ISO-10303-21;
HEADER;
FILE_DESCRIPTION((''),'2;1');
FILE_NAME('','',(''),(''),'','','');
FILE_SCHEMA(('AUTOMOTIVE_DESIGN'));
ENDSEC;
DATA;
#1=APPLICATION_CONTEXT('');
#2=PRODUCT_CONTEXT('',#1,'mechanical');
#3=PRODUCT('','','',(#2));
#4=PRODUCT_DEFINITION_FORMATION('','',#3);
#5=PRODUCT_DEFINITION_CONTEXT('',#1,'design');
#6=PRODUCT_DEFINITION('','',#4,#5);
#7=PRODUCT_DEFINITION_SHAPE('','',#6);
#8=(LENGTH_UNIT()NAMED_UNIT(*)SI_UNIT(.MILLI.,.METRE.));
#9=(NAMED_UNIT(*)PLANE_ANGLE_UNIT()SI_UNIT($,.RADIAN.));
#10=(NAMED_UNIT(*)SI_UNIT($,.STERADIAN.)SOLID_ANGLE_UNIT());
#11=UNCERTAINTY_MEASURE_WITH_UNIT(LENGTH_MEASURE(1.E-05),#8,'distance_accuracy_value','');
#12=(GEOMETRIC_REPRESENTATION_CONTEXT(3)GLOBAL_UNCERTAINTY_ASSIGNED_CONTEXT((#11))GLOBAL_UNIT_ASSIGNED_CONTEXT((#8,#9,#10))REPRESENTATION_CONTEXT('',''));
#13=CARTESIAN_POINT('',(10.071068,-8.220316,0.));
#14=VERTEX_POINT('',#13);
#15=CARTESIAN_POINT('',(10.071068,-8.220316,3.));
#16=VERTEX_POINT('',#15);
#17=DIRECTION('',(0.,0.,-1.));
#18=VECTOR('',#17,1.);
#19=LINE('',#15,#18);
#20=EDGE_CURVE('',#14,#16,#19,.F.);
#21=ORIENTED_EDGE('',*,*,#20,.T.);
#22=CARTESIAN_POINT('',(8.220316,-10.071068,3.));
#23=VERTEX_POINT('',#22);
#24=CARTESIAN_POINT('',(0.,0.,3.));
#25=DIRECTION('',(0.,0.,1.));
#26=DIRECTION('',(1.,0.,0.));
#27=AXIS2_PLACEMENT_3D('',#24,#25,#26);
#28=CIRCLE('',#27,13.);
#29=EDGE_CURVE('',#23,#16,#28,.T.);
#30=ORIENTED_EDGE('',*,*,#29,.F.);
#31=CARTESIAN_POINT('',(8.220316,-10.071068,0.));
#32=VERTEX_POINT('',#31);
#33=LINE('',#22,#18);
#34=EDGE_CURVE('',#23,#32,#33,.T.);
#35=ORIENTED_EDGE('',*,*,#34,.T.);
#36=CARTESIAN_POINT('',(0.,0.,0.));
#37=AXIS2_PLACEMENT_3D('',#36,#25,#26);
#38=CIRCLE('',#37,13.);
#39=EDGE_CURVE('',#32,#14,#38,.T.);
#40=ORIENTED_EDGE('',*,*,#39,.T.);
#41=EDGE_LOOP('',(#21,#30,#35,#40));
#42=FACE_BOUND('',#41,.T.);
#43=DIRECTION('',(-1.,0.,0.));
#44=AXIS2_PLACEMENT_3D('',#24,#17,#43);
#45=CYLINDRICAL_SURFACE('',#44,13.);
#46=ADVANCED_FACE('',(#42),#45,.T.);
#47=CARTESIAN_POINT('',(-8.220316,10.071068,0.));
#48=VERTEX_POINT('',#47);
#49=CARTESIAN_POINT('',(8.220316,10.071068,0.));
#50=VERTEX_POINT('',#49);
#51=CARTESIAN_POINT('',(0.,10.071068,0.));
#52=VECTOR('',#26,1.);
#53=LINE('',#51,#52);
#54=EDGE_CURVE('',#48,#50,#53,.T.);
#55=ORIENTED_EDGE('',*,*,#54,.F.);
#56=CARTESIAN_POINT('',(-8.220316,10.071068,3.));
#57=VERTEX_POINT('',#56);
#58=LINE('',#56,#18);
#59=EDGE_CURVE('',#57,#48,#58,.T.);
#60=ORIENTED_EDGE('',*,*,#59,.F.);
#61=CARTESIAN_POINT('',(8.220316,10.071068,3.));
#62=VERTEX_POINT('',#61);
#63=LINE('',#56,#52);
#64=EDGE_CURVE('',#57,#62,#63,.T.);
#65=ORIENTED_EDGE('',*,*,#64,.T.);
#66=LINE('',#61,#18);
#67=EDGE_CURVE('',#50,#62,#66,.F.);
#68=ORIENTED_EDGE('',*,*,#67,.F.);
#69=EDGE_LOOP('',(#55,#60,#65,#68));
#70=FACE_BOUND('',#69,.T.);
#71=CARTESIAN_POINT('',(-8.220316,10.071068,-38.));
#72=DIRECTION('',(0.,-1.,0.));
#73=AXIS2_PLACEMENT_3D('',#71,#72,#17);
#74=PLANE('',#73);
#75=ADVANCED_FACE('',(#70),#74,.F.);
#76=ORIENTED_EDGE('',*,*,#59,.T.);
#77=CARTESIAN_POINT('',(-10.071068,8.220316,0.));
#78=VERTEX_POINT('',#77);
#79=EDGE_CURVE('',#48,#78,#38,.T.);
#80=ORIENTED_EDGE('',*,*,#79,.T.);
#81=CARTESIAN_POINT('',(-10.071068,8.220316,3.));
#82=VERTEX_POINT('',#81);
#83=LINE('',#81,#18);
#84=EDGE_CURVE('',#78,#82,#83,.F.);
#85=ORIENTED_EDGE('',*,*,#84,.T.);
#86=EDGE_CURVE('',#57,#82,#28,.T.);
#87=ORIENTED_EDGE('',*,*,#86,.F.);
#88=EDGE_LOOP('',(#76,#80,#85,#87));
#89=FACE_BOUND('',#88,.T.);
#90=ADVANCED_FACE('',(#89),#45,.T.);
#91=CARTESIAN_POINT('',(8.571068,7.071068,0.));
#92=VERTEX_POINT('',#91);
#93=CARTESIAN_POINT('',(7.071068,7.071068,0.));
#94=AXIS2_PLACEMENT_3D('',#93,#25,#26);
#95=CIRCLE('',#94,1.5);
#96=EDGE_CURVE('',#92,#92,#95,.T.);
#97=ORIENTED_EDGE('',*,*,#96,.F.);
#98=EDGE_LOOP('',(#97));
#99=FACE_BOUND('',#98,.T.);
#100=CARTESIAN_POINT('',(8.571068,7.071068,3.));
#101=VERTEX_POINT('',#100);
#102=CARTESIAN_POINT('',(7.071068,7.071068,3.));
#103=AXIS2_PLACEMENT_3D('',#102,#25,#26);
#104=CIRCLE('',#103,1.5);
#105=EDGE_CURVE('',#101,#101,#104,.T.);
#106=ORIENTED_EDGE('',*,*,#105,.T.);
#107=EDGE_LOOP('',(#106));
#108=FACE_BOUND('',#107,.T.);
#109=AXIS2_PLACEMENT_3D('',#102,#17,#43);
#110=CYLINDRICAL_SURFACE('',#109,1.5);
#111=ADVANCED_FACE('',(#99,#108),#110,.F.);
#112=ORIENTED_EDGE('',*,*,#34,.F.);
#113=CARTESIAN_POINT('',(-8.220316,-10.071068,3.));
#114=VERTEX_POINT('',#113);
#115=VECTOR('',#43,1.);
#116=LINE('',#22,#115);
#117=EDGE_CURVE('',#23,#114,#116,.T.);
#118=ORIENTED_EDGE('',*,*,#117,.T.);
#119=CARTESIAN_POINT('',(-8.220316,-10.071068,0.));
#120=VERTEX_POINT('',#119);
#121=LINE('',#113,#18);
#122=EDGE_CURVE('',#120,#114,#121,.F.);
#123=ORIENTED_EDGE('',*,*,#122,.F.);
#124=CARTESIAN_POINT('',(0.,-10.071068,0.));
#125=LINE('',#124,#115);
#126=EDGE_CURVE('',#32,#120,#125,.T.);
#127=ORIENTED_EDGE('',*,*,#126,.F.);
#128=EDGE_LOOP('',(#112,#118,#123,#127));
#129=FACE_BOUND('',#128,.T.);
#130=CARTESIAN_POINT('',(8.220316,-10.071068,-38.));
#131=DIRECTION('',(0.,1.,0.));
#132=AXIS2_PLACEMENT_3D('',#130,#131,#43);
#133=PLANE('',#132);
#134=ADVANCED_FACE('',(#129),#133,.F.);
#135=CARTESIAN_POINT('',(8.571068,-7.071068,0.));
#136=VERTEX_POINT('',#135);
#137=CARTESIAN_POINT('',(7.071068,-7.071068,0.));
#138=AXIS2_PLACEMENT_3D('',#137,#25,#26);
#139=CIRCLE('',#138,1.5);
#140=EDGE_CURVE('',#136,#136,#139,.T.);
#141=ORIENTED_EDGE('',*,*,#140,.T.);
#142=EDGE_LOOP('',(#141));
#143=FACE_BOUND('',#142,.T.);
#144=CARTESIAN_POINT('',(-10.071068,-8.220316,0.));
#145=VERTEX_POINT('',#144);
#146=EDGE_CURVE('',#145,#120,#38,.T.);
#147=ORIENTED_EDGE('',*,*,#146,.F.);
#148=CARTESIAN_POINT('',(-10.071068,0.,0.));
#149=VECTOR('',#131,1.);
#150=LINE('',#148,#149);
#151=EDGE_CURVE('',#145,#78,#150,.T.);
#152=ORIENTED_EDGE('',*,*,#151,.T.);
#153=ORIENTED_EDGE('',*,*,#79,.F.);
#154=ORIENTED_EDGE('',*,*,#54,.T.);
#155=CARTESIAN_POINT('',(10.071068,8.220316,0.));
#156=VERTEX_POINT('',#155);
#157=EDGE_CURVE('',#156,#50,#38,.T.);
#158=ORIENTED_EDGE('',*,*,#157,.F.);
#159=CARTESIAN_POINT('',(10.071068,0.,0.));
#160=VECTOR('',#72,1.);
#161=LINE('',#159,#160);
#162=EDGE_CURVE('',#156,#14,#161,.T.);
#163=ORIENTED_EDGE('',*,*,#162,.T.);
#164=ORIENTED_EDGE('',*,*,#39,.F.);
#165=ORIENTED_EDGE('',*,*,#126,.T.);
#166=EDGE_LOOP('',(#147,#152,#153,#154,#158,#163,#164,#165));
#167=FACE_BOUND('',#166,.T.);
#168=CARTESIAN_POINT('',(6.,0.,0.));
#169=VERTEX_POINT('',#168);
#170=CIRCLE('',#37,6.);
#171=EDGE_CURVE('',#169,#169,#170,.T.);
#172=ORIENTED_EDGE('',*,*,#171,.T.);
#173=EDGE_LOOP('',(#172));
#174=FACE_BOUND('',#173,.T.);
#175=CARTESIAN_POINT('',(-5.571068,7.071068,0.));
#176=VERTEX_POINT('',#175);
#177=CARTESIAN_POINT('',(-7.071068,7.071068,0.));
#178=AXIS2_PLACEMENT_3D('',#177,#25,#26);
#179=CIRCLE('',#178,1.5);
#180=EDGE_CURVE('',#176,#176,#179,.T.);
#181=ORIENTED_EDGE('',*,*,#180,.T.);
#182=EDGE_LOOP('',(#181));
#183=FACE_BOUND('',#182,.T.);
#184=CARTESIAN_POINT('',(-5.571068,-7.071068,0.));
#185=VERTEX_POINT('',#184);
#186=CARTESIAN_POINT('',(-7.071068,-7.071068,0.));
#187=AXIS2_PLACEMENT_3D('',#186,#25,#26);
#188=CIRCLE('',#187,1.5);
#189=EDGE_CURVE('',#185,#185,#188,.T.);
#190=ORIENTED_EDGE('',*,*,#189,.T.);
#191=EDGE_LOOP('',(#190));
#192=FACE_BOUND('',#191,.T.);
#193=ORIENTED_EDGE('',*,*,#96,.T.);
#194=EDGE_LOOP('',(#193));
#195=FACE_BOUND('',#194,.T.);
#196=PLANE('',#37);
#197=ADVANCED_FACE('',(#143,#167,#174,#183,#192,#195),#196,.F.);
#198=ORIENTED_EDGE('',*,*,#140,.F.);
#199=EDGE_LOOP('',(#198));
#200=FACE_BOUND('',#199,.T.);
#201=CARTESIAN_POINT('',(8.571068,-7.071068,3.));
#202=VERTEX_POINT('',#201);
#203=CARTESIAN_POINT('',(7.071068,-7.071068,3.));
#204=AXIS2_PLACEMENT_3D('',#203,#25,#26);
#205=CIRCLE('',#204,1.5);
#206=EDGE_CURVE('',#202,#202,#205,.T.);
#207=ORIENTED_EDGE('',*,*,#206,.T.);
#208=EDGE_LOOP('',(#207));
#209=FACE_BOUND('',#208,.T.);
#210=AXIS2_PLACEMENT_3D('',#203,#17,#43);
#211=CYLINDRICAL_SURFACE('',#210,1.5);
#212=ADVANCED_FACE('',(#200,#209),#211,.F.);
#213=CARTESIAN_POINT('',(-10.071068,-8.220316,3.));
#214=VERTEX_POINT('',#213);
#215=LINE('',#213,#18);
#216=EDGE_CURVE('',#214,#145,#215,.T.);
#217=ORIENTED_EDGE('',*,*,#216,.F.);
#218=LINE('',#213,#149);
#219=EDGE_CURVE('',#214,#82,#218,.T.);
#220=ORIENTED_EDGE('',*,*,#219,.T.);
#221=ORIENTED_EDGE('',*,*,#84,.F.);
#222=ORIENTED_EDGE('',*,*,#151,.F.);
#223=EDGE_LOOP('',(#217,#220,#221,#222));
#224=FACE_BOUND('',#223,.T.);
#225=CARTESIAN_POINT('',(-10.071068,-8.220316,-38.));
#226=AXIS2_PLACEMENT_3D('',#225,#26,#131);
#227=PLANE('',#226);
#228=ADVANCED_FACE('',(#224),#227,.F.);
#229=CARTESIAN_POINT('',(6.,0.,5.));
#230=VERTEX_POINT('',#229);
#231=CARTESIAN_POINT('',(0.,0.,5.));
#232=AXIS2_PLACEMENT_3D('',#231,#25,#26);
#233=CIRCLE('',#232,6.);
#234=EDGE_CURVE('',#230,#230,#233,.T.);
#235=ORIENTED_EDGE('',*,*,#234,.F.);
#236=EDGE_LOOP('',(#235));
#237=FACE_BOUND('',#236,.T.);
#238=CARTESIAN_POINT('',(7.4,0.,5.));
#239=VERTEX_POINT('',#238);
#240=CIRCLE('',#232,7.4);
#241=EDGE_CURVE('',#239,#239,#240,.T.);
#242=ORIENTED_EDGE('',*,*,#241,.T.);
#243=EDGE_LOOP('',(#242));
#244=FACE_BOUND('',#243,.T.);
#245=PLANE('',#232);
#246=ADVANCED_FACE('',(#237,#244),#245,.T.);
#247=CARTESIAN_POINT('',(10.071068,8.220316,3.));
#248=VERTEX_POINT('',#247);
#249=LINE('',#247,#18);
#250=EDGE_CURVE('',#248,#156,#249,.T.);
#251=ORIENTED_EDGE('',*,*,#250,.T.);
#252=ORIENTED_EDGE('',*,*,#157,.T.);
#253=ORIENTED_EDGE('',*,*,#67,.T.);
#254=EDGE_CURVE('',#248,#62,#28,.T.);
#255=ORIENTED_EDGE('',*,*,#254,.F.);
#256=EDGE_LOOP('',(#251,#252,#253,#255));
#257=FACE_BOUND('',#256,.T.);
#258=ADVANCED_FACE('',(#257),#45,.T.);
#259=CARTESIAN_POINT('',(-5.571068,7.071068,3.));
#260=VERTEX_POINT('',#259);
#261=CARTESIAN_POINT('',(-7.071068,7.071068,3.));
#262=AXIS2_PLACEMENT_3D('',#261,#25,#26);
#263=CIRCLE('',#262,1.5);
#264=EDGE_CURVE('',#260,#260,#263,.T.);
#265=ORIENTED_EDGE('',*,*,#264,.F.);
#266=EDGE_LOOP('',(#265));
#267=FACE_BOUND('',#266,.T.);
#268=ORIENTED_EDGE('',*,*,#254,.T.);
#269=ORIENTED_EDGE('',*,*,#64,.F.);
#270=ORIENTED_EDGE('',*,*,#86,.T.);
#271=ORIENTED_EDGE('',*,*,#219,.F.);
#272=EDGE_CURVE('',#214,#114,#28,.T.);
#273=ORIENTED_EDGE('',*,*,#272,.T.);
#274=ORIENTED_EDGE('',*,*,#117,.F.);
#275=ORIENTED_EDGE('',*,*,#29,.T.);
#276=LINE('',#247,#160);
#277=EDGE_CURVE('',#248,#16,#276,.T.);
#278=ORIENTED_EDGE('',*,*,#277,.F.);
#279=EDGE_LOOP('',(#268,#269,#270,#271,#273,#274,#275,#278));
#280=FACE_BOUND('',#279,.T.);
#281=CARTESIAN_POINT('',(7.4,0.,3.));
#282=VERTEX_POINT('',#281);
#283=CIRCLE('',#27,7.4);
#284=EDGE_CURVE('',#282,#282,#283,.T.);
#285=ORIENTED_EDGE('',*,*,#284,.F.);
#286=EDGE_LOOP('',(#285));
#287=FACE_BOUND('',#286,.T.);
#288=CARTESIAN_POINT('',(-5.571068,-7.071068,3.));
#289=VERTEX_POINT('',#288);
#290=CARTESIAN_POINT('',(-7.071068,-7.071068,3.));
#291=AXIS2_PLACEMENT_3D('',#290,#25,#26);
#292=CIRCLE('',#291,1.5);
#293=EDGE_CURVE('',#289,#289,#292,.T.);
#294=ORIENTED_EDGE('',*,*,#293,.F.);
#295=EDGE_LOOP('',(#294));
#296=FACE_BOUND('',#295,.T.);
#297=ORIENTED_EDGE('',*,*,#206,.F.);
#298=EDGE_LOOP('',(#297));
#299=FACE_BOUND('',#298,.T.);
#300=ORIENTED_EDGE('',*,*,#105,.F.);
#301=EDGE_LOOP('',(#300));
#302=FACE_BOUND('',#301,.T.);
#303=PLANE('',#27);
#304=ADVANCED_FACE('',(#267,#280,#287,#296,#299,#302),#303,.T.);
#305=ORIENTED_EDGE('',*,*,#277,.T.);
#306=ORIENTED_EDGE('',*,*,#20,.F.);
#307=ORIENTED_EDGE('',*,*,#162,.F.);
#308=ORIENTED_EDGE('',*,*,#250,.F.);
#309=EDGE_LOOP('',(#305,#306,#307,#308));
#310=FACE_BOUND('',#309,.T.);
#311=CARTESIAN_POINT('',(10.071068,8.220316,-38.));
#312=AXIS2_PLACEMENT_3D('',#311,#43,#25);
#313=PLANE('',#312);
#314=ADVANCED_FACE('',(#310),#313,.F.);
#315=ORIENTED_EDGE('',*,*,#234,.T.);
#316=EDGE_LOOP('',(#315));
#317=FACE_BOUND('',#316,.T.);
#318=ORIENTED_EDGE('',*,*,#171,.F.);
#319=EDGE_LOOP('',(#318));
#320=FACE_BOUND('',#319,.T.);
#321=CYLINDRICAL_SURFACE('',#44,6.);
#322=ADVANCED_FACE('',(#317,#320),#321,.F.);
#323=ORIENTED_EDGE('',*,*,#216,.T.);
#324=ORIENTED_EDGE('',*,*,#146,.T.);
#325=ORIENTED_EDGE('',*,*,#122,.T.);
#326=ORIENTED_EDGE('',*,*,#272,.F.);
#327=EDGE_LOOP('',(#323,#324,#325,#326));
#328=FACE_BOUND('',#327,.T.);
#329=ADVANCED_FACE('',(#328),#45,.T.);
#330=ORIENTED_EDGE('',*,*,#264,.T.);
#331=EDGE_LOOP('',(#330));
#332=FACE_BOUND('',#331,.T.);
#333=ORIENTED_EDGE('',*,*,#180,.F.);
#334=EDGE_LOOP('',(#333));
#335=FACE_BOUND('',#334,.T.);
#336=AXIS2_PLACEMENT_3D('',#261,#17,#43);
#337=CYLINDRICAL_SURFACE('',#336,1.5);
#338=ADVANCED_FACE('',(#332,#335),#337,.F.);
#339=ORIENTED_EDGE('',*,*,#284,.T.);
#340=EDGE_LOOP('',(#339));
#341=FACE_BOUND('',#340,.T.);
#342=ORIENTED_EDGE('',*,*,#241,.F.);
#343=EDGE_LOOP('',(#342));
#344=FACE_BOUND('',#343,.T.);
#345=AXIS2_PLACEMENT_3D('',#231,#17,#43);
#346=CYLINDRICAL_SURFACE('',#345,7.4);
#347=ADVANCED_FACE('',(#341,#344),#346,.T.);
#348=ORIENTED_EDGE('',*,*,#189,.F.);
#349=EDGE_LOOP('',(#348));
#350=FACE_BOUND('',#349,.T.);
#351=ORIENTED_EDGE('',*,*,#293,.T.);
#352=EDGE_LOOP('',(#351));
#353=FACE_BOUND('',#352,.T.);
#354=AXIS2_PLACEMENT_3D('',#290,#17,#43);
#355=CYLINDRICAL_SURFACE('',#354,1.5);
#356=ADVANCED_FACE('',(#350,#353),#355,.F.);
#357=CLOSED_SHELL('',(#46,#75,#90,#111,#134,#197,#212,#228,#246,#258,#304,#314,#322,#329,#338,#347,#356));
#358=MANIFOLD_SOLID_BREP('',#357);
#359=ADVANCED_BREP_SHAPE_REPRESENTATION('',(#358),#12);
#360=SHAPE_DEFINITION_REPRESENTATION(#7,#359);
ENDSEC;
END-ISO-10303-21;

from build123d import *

# Parameters (mm, degrees)
SKETCH_1_R          = 13
SKETCH_1_R_2        = 6
SKETCH_1_R_3        = 1.5
EXTRUDE_1_DEPTH     = 3
SKETCH_2_R          = 7.4
SKETCH_2_R_2        = 6
EXTRUDE_2_DEPTH     = 2
CUT_EXTRUDE_START   = -41
CUT_EXTRUDE_1_DEPTH = 41


with BuildPart() as part:
    # 草图1 → 凸台-拉伸1 (new body)
    with BuildSketch(Plane.XY):
        Circle(SKETCH_1_R)
        Circle(SKETCH_1_R_2, mode=Mode.SUBTRACT)
        with Locations((-7.071067812, 7.071067812)):
            Circle(SKETCH_1_R_3, mode=Mode.SUBTRACT)
        with Locations((7.071067812, 7.071067812)):
            Circle(SKETCH_1_R_3, mode=Mode.SUBTRACT)
        with Locations((7.071067812, -7.071067812)):
            Circle(SKETCH_1_R_3, mode=Mode.SUBTRACT)
        with Locations((-7.071067812, -7.071067812)):
            Circle(SKETCH_1_R_3, mode=Mode.SUBTRACT)
    extrude(amount=EXTRUDE_1_DEPTH)

    # 草图2 → 凸台-拉伸2 (add)
    with BuildSketch(Plane.XY.offset(3)):
        Circle(SKETCH_2_R)
        Circle(SKETCH_2_R_2, mode=Mode.SUBTRACT)
    extrude(amount=EXTRUDE_2_DEPTH)

    # 草图3 → 切除-拉伸1 (cut)
    with BuildSketch(Plane.XY.offset(3).offset(CUT_EXTRUDE_START)):
        with BuildLine():
            Line((-8.220315878, 10.071067812), (8.220315878, 10.071067812))
            ThreePointArc((8.220315878, 10.071067812), (0, 13), (-8.220315878, 10.071067812))
        make_face()
        with BuildLine():
            Line((10.071067812, 8.220315878), (10.071067812, -8.220315878))
            ThreePointArc((10.071067812, -8.220315878), (13, 0), (10.071067812, 8.220315878))
        make_face()
        with BuildLine():
            Line((8.220315878, -10.071067812), (-8.220315878, -10.071067812))
            ThreePointArc((-8.220315878, -10.071067812), (0, -13), (8.220315878, -10.071067812))
        make_face()
        with BuildLine():
            Line((-10.071067812, -8.220315878), (-10.071067812, 8.220315878))
            ThreePointArc((-10.071067812, 8.220315878), (-13, 0), (-10.071067812, -8.220315878))
        make_face()
    extrude(amount=CUT_EXTRUDE_1_DEPTH, mode=Mode.SUBTRACT)


solid = part.part
